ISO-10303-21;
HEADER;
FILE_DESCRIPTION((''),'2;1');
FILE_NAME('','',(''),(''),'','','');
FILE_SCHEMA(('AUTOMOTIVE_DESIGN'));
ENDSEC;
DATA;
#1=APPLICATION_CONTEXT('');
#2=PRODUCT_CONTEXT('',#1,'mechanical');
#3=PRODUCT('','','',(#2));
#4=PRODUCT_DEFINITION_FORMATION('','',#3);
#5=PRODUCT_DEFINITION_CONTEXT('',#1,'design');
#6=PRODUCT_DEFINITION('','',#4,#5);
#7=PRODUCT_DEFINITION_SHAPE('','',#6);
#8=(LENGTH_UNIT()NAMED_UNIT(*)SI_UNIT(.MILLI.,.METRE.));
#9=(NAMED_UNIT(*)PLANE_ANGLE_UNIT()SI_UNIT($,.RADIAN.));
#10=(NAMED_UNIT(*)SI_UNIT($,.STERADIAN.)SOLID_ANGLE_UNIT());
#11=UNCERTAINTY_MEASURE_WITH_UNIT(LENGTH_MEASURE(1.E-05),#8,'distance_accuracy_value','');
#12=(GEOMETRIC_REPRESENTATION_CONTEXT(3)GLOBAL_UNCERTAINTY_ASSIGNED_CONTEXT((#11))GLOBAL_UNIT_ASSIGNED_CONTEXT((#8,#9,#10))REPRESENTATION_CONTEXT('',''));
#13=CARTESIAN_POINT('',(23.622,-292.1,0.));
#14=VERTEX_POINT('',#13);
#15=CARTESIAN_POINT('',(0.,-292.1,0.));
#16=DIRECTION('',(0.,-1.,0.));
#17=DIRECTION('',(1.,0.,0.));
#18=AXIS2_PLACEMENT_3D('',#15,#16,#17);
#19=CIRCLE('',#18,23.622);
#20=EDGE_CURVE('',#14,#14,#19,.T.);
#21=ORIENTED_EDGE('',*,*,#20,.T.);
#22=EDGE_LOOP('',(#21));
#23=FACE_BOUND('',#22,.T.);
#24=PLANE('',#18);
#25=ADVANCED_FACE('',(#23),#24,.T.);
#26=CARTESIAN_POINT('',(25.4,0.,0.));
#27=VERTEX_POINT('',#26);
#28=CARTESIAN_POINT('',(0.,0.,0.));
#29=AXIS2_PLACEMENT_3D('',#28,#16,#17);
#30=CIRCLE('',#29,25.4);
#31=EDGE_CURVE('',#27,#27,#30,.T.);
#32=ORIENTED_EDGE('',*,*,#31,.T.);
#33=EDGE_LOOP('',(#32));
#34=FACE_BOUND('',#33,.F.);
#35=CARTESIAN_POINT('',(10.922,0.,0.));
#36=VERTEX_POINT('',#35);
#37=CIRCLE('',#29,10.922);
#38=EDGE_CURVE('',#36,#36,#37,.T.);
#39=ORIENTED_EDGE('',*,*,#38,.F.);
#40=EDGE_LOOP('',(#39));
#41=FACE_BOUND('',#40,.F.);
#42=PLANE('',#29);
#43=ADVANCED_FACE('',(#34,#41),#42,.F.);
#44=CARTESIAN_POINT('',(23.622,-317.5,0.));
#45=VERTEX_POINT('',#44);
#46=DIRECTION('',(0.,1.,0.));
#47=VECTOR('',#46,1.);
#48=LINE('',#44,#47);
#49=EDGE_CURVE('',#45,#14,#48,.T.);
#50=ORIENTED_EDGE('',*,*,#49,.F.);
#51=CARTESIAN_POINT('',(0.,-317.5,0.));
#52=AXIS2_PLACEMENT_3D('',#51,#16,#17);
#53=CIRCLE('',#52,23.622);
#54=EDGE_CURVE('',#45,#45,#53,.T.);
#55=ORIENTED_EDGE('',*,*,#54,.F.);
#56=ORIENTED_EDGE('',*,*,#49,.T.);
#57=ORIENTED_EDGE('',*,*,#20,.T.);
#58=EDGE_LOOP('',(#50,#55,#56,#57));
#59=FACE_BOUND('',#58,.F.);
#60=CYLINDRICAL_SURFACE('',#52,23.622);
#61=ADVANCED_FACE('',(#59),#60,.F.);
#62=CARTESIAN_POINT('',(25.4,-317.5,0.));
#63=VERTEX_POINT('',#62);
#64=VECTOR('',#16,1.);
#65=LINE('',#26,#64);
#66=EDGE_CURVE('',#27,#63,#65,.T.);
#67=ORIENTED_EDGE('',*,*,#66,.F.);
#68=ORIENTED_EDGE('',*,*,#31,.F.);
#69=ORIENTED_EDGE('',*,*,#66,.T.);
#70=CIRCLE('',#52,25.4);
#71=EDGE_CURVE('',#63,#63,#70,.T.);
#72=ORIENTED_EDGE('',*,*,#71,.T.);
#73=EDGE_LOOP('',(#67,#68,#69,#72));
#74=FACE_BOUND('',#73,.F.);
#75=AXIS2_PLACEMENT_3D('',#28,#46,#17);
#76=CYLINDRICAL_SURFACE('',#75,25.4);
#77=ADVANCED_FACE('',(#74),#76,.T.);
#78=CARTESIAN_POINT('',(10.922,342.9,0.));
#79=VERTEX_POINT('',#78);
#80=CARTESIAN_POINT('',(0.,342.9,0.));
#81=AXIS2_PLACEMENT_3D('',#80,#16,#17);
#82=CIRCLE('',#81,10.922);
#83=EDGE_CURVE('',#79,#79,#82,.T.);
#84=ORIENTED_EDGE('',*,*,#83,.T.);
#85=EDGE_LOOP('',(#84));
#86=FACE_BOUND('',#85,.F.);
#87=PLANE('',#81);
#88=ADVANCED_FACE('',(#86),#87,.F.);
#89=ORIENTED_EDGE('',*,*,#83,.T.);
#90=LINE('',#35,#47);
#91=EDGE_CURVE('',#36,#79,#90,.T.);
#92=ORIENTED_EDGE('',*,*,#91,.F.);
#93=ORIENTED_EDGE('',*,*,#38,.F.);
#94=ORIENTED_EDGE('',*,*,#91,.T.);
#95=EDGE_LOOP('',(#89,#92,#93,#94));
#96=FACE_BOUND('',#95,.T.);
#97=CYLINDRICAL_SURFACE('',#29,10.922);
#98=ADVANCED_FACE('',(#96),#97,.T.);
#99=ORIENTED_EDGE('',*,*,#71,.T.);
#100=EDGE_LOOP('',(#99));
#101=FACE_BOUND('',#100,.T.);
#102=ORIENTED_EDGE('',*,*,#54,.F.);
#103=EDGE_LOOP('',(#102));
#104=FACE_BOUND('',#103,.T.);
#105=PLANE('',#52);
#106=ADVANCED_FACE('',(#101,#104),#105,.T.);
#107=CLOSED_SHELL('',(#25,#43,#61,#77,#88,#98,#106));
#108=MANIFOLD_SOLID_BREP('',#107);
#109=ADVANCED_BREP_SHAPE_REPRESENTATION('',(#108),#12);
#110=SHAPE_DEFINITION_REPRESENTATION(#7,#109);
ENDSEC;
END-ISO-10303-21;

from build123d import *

# Parameters (mm, degrees)
F0_R     = 25.4
F1_DEPTH = 317.5
F2_R     = 23.622
F3_DEPTH = 25.4
F4_R     = 10.922
F5_DEPTH = 342.9


with BuildPart() as f1:
    # F0 (on Front) → F1 (new body)
    with BuildSketch(Plane.XZ):
        Circle(F0_R)
    extrude(amount=F1_DEPTH)

    # F2 (on face) → F3 (cut)
    with BuildSketch(Plane.XZ.offset(317.5)):
        Circle(F2_R)
    extrude(amount=-F3_DEPTH, mode=Mode.SUBTRACT)

    # F4 (on Front) → F5 (join)
    with BuildSketch(Plane.XZ):
        Circle(F4_R)
    extrude(amount=-F5_DEPTH)


solid = f1.part
